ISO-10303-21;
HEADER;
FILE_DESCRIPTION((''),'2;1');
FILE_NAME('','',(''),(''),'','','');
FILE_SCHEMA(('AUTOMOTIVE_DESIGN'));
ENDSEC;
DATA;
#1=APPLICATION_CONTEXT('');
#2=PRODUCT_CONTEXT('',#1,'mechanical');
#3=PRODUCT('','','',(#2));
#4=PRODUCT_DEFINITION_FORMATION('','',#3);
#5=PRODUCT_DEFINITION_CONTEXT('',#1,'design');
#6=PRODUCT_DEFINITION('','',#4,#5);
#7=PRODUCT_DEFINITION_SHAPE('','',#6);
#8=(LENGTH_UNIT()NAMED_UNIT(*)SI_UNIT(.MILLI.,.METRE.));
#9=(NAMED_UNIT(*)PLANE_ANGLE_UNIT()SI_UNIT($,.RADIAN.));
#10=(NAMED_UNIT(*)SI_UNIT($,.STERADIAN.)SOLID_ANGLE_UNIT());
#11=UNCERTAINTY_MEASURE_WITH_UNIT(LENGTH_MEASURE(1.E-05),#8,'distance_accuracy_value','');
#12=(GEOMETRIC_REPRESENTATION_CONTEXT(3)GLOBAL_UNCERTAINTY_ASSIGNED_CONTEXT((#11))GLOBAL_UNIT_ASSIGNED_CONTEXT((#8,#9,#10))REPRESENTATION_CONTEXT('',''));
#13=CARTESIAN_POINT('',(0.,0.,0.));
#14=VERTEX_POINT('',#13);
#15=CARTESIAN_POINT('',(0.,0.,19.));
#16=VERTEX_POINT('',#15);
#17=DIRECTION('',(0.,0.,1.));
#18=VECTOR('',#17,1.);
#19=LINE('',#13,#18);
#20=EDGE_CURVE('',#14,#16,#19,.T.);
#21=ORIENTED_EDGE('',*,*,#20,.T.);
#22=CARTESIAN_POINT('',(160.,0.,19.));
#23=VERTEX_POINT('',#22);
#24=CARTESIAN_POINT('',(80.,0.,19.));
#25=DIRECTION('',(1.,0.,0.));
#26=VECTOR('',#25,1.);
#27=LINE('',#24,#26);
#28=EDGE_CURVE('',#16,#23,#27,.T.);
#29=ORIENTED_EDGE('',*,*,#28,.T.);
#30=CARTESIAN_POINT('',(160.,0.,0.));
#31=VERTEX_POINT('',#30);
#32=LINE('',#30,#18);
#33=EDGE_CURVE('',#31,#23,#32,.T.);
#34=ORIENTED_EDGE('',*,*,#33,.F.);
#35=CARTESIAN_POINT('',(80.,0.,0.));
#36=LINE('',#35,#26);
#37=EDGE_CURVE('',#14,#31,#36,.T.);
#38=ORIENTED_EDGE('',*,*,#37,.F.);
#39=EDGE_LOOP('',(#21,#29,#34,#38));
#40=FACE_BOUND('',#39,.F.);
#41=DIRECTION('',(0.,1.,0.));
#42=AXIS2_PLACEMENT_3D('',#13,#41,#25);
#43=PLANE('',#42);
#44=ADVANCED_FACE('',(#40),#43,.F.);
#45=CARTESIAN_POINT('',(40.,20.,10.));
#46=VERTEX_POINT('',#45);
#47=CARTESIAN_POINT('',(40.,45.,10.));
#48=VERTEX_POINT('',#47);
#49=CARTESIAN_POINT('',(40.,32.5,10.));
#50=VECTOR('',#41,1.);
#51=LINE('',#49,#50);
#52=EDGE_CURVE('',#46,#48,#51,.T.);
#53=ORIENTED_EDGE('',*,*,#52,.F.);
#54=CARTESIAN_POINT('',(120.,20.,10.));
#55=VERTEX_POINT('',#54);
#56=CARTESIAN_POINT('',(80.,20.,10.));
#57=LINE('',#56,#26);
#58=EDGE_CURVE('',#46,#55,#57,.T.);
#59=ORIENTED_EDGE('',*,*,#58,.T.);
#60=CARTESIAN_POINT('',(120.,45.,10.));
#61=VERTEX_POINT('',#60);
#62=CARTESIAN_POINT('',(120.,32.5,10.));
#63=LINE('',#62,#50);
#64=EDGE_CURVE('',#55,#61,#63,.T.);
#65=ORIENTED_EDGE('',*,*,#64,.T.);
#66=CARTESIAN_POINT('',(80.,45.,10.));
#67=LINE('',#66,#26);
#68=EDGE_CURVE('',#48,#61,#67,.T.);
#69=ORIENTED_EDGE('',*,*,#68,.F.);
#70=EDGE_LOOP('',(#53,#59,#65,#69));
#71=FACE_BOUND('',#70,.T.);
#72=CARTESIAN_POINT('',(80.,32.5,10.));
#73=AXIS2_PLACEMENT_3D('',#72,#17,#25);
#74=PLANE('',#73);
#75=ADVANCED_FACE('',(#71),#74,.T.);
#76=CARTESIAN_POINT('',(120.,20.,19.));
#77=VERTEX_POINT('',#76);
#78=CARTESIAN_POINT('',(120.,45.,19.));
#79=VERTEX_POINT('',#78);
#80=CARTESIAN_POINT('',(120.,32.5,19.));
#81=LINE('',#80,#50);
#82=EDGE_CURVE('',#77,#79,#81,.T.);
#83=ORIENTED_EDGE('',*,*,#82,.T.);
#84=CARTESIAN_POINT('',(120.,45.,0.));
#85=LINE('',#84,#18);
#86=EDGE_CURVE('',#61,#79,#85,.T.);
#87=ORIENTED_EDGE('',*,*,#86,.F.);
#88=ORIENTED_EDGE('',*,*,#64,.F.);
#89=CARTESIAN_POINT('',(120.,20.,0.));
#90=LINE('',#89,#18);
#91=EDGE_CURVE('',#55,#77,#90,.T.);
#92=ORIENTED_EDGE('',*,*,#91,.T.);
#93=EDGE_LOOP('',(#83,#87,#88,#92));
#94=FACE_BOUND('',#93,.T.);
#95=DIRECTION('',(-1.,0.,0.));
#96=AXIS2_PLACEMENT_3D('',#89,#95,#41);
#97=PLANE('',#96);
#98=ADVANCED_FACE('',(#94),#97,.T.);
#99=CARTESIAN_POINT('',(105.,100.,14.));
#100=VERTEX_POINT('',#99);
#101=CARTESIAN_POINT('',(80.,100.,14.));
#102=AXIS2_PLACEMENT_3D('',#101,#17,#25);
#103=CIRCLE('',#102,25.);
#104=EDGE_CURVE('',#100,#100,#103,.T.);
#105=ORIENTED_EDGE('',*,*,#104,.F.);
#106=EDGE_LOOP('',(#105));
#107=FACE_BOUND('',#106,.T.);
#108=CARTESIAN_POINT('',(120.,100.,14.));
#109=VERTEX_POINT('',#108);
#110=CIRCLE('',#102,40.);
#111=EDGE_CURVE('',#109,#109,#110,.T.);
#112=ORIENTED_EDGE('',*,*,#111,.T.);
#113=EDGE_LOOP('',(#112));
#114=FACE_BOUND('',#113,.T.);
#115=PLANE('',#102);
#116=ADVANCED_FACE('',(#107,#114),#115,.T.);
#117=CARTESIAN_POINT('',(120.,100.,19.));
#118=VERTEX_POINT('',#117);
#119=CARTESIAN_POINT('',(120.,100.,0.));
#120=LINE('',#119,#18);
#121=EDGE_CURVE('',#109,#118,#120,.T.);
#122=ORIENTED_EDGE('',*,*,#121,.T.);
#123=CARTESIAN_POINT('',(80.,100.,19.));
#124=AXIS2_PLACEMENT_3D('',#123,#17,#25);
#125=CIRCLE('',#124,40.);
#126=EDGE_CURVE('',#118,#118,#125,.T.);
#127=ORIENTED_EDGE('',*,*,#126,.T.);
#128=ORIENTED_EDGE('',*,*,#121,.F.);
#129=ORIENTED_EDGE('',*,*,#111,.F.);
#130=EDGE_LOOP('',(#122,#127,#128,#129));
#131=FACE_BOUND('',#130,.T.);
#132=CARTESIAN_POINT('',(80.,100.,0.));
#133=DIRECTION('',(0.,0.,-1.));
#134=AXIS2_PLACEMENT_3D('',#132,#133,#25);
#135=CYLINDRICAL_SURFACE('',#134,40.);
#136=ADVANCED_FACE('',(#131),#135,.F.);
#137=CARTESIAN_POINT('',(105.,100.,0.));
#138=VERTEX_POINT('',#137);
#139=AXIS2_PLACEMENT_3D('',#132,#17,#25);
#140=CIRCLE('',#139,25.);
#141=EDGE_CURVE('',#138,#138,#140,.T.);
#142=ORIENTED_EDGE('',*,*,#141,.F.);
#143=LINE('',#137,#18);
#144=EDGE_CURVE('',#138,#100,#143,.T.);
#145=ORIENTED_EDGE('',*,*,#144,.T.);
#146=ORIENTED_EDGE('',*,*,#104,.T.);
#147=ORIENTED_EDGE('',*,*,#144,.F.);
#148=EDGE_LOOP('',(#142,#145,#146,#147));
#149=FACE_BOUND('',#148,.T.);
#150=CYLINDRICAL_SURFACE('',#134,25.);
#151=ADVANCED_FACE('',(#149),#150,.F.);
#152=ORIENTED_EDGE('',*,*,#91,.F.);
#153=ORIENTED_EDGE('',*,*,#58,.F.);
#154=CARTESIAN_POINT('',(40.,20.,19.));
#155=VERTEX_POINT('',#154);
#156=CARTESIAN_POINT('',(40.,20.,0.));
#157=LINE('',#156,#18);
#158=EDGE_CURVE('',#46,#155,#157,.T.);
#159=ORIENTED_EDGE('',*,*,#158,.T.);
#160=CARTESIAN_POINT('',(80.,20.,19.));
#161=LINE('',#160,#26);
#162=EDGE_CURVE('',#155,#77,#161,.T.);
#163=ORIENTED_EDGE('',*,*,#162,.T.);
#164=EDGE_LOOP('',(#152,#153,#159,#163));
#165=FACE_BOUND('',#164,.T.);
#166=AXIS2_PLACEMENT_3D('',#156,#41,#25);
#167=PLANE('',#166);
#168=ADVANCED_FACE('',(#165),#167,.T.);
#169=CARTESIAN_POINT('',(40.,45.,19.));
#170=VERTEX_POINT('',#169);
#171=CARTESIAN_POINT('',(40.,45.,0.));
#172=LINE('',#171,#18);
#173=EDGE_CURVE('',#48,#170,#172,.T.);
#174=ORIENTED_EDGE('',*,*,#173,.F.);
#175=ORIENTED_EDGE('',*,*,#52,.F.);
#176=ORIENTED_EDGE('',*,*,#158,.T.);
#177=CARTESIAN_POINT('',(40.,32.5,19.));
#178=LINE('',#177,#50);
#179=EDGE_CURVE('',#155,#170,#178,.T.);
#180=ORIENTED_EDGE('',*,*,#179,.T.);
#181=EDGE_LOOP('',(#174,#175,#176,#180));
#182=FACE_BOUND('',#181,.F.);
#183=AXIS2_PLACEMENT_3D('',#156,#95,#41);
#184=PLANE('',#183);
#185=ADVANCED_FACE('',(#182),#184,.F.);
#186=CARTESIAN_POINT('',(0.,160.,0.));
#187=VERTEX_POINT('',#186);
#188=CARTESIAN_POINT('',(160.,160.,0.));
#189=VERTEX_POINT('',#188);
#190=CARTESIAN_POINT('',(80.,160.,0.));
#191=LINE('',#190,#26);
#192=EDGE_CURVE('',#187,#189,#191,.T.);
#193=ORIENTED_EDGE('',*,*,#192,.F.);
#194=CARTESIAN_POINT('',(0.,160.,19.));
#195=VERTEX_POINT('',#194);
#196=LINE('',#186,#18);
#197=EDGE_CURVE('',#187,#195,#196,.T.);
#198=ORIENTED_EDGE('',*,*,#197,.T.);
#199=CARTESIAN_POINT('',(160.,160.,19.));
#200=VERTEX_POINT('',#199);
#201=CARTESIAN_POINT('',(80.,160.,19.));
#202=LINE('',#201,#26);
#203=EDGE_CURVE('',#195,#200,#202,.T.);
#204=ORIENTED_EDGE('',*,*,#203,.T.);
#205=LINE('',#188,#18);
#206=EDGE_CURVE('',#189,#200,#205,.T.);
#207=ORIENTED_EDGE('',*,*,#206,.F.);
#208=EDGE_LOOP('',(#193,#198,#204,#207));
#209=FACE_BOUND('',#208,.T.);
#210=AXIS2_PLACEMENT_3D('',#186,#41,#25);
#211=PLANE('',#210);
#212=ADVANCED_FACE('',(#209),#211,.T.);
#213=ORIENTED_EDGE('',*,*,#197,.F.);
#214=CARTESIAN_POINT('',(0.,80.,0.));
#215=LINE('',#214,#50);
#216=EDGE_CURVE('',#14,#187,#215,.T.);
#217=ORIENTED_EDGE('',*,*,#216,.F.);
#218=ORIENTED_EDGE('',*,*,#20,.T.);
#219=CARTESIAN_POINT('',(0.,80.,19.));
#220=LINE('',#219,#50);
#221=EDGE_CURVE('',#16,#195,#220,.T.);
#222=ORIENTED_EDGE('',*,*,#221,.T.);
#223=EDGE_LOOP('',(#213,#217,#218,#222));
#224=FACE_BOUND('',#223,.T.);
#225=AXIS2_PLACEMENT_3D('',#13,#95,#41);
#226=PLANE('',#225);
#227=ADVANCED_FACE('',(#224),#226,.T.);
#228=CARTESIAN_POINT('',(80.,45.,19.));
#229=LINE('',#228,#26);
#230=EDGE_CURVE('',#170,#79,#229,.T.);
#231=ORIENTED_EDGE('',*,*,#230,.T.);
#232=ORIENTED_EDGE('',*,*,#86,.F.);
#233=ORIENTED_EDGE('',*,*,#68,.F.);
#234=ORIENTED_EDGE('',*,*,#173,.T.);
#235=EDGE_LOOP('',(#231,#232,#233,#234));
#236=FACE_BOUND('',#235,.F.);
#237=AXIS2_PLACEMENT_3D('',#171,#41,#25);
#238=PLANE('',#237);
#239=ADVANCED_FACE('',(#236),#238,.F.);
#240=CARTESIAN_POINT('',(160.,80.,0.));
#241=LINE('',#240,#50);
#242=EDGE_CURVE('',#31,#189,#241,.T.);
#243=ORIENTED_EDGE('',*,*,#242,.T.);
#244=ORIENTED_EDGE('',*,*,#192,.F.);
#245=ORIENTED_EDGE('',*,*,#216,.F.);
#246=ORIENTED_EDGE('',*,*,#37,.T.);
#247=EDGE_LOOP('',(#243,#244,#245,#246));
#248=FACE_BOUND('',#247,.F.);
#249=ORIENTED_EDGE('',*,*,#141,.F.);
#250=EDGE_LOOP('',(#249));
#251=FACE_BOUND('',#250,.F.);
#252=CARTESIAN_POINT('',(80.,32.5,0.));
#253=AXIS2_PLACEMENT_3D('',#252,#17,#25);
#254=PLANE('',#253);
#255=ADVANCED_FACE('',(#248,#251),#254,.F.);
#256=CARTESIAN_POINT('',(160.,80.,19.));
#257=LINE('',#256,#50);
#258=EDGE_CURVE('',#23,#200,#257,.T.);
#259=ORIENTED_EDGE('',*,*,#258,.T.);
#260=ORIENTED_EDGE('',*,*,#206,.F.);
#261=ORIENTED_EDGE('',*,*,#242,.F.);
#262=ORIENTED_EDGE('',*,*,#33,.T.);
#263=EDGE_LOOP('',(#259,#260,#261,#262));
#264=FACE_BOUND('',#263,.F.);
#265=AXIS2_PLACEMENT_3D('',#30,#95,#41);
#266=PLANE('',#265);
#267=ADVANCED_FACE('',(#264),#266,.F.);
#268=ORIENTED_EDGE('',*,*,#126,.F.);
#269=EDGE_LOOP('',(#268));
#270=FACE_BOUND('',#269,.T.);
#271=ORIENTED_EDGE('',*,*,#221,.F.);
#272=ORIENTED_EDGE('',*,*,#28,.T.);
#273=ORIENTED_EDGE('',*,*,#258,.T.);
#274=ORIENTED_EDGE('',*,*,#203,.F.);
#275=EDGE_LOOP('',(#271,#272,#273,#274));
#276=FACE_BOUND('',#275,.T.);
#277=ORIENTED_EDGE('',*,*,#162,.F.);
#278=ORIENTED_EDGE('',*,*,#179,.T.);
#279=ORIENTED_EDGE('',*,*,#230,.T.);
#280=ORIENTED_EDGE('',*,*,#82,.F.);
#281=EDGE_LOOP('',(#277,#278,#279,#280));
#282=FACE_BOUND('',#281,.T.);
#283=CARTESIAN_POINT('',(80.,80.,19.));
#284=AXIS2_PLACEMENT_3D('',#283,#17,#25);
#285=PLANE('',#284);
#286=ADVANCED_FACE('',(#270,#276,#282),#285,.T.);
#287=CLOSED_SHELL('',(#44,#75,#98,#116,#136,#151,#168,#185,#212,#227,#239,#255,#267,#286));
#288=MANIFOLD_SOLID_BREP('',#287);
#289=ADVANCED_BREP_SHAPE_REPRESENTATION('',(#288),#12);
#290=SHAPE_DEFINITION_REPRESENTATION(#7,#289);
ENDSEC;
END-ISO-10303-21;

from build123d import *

# Parameters (mm, degrees)
F0_W     = 160
F0_H     = 160
F0_W_2   = 80
F0_H_2   = 25
F0_R     = 40
F1_DEPTH = 19
F0_R_2   = 25
F2_DEPTH = 14
F3_DEPTH = 10


with BuildPart() as f1:
    # F0 (on Top) → F1 (new body)
    with BuildSketch(Plane.XY):
        with Locations((80, 80)):
            Rectangle(F0_W, F0_H)
        with Locations((80, 32.5)):
            Rectangle(F0_W_2, F0_H_2, mode=Mode.SUBTRACT)
        with Locations((80, 100)):
            Circle(F0_R, mode=Mode.SUBTRACT)
    extrude(amount=F1_DEPTH)

    # F0 (on Top) → F2 (join)
    with BuildSketch(Plane.XY):
        with Locations((80, 100)):
            Circle(F0_R)
        with Locations((80, 100)):
            Circle(F0_R_2, mode=Mode.SUBTRACT)
    extrude(amount=F2_DEPTH)

    # F0 (on Top) → F3 (join)
    with BuildSketch(Plane.XY):
        with Locations((80, 32.5)):
            Rectangle(F0_W_2, F0_H_2)
    extrude(amount=F3_DEPTH)


solid = f1.part
